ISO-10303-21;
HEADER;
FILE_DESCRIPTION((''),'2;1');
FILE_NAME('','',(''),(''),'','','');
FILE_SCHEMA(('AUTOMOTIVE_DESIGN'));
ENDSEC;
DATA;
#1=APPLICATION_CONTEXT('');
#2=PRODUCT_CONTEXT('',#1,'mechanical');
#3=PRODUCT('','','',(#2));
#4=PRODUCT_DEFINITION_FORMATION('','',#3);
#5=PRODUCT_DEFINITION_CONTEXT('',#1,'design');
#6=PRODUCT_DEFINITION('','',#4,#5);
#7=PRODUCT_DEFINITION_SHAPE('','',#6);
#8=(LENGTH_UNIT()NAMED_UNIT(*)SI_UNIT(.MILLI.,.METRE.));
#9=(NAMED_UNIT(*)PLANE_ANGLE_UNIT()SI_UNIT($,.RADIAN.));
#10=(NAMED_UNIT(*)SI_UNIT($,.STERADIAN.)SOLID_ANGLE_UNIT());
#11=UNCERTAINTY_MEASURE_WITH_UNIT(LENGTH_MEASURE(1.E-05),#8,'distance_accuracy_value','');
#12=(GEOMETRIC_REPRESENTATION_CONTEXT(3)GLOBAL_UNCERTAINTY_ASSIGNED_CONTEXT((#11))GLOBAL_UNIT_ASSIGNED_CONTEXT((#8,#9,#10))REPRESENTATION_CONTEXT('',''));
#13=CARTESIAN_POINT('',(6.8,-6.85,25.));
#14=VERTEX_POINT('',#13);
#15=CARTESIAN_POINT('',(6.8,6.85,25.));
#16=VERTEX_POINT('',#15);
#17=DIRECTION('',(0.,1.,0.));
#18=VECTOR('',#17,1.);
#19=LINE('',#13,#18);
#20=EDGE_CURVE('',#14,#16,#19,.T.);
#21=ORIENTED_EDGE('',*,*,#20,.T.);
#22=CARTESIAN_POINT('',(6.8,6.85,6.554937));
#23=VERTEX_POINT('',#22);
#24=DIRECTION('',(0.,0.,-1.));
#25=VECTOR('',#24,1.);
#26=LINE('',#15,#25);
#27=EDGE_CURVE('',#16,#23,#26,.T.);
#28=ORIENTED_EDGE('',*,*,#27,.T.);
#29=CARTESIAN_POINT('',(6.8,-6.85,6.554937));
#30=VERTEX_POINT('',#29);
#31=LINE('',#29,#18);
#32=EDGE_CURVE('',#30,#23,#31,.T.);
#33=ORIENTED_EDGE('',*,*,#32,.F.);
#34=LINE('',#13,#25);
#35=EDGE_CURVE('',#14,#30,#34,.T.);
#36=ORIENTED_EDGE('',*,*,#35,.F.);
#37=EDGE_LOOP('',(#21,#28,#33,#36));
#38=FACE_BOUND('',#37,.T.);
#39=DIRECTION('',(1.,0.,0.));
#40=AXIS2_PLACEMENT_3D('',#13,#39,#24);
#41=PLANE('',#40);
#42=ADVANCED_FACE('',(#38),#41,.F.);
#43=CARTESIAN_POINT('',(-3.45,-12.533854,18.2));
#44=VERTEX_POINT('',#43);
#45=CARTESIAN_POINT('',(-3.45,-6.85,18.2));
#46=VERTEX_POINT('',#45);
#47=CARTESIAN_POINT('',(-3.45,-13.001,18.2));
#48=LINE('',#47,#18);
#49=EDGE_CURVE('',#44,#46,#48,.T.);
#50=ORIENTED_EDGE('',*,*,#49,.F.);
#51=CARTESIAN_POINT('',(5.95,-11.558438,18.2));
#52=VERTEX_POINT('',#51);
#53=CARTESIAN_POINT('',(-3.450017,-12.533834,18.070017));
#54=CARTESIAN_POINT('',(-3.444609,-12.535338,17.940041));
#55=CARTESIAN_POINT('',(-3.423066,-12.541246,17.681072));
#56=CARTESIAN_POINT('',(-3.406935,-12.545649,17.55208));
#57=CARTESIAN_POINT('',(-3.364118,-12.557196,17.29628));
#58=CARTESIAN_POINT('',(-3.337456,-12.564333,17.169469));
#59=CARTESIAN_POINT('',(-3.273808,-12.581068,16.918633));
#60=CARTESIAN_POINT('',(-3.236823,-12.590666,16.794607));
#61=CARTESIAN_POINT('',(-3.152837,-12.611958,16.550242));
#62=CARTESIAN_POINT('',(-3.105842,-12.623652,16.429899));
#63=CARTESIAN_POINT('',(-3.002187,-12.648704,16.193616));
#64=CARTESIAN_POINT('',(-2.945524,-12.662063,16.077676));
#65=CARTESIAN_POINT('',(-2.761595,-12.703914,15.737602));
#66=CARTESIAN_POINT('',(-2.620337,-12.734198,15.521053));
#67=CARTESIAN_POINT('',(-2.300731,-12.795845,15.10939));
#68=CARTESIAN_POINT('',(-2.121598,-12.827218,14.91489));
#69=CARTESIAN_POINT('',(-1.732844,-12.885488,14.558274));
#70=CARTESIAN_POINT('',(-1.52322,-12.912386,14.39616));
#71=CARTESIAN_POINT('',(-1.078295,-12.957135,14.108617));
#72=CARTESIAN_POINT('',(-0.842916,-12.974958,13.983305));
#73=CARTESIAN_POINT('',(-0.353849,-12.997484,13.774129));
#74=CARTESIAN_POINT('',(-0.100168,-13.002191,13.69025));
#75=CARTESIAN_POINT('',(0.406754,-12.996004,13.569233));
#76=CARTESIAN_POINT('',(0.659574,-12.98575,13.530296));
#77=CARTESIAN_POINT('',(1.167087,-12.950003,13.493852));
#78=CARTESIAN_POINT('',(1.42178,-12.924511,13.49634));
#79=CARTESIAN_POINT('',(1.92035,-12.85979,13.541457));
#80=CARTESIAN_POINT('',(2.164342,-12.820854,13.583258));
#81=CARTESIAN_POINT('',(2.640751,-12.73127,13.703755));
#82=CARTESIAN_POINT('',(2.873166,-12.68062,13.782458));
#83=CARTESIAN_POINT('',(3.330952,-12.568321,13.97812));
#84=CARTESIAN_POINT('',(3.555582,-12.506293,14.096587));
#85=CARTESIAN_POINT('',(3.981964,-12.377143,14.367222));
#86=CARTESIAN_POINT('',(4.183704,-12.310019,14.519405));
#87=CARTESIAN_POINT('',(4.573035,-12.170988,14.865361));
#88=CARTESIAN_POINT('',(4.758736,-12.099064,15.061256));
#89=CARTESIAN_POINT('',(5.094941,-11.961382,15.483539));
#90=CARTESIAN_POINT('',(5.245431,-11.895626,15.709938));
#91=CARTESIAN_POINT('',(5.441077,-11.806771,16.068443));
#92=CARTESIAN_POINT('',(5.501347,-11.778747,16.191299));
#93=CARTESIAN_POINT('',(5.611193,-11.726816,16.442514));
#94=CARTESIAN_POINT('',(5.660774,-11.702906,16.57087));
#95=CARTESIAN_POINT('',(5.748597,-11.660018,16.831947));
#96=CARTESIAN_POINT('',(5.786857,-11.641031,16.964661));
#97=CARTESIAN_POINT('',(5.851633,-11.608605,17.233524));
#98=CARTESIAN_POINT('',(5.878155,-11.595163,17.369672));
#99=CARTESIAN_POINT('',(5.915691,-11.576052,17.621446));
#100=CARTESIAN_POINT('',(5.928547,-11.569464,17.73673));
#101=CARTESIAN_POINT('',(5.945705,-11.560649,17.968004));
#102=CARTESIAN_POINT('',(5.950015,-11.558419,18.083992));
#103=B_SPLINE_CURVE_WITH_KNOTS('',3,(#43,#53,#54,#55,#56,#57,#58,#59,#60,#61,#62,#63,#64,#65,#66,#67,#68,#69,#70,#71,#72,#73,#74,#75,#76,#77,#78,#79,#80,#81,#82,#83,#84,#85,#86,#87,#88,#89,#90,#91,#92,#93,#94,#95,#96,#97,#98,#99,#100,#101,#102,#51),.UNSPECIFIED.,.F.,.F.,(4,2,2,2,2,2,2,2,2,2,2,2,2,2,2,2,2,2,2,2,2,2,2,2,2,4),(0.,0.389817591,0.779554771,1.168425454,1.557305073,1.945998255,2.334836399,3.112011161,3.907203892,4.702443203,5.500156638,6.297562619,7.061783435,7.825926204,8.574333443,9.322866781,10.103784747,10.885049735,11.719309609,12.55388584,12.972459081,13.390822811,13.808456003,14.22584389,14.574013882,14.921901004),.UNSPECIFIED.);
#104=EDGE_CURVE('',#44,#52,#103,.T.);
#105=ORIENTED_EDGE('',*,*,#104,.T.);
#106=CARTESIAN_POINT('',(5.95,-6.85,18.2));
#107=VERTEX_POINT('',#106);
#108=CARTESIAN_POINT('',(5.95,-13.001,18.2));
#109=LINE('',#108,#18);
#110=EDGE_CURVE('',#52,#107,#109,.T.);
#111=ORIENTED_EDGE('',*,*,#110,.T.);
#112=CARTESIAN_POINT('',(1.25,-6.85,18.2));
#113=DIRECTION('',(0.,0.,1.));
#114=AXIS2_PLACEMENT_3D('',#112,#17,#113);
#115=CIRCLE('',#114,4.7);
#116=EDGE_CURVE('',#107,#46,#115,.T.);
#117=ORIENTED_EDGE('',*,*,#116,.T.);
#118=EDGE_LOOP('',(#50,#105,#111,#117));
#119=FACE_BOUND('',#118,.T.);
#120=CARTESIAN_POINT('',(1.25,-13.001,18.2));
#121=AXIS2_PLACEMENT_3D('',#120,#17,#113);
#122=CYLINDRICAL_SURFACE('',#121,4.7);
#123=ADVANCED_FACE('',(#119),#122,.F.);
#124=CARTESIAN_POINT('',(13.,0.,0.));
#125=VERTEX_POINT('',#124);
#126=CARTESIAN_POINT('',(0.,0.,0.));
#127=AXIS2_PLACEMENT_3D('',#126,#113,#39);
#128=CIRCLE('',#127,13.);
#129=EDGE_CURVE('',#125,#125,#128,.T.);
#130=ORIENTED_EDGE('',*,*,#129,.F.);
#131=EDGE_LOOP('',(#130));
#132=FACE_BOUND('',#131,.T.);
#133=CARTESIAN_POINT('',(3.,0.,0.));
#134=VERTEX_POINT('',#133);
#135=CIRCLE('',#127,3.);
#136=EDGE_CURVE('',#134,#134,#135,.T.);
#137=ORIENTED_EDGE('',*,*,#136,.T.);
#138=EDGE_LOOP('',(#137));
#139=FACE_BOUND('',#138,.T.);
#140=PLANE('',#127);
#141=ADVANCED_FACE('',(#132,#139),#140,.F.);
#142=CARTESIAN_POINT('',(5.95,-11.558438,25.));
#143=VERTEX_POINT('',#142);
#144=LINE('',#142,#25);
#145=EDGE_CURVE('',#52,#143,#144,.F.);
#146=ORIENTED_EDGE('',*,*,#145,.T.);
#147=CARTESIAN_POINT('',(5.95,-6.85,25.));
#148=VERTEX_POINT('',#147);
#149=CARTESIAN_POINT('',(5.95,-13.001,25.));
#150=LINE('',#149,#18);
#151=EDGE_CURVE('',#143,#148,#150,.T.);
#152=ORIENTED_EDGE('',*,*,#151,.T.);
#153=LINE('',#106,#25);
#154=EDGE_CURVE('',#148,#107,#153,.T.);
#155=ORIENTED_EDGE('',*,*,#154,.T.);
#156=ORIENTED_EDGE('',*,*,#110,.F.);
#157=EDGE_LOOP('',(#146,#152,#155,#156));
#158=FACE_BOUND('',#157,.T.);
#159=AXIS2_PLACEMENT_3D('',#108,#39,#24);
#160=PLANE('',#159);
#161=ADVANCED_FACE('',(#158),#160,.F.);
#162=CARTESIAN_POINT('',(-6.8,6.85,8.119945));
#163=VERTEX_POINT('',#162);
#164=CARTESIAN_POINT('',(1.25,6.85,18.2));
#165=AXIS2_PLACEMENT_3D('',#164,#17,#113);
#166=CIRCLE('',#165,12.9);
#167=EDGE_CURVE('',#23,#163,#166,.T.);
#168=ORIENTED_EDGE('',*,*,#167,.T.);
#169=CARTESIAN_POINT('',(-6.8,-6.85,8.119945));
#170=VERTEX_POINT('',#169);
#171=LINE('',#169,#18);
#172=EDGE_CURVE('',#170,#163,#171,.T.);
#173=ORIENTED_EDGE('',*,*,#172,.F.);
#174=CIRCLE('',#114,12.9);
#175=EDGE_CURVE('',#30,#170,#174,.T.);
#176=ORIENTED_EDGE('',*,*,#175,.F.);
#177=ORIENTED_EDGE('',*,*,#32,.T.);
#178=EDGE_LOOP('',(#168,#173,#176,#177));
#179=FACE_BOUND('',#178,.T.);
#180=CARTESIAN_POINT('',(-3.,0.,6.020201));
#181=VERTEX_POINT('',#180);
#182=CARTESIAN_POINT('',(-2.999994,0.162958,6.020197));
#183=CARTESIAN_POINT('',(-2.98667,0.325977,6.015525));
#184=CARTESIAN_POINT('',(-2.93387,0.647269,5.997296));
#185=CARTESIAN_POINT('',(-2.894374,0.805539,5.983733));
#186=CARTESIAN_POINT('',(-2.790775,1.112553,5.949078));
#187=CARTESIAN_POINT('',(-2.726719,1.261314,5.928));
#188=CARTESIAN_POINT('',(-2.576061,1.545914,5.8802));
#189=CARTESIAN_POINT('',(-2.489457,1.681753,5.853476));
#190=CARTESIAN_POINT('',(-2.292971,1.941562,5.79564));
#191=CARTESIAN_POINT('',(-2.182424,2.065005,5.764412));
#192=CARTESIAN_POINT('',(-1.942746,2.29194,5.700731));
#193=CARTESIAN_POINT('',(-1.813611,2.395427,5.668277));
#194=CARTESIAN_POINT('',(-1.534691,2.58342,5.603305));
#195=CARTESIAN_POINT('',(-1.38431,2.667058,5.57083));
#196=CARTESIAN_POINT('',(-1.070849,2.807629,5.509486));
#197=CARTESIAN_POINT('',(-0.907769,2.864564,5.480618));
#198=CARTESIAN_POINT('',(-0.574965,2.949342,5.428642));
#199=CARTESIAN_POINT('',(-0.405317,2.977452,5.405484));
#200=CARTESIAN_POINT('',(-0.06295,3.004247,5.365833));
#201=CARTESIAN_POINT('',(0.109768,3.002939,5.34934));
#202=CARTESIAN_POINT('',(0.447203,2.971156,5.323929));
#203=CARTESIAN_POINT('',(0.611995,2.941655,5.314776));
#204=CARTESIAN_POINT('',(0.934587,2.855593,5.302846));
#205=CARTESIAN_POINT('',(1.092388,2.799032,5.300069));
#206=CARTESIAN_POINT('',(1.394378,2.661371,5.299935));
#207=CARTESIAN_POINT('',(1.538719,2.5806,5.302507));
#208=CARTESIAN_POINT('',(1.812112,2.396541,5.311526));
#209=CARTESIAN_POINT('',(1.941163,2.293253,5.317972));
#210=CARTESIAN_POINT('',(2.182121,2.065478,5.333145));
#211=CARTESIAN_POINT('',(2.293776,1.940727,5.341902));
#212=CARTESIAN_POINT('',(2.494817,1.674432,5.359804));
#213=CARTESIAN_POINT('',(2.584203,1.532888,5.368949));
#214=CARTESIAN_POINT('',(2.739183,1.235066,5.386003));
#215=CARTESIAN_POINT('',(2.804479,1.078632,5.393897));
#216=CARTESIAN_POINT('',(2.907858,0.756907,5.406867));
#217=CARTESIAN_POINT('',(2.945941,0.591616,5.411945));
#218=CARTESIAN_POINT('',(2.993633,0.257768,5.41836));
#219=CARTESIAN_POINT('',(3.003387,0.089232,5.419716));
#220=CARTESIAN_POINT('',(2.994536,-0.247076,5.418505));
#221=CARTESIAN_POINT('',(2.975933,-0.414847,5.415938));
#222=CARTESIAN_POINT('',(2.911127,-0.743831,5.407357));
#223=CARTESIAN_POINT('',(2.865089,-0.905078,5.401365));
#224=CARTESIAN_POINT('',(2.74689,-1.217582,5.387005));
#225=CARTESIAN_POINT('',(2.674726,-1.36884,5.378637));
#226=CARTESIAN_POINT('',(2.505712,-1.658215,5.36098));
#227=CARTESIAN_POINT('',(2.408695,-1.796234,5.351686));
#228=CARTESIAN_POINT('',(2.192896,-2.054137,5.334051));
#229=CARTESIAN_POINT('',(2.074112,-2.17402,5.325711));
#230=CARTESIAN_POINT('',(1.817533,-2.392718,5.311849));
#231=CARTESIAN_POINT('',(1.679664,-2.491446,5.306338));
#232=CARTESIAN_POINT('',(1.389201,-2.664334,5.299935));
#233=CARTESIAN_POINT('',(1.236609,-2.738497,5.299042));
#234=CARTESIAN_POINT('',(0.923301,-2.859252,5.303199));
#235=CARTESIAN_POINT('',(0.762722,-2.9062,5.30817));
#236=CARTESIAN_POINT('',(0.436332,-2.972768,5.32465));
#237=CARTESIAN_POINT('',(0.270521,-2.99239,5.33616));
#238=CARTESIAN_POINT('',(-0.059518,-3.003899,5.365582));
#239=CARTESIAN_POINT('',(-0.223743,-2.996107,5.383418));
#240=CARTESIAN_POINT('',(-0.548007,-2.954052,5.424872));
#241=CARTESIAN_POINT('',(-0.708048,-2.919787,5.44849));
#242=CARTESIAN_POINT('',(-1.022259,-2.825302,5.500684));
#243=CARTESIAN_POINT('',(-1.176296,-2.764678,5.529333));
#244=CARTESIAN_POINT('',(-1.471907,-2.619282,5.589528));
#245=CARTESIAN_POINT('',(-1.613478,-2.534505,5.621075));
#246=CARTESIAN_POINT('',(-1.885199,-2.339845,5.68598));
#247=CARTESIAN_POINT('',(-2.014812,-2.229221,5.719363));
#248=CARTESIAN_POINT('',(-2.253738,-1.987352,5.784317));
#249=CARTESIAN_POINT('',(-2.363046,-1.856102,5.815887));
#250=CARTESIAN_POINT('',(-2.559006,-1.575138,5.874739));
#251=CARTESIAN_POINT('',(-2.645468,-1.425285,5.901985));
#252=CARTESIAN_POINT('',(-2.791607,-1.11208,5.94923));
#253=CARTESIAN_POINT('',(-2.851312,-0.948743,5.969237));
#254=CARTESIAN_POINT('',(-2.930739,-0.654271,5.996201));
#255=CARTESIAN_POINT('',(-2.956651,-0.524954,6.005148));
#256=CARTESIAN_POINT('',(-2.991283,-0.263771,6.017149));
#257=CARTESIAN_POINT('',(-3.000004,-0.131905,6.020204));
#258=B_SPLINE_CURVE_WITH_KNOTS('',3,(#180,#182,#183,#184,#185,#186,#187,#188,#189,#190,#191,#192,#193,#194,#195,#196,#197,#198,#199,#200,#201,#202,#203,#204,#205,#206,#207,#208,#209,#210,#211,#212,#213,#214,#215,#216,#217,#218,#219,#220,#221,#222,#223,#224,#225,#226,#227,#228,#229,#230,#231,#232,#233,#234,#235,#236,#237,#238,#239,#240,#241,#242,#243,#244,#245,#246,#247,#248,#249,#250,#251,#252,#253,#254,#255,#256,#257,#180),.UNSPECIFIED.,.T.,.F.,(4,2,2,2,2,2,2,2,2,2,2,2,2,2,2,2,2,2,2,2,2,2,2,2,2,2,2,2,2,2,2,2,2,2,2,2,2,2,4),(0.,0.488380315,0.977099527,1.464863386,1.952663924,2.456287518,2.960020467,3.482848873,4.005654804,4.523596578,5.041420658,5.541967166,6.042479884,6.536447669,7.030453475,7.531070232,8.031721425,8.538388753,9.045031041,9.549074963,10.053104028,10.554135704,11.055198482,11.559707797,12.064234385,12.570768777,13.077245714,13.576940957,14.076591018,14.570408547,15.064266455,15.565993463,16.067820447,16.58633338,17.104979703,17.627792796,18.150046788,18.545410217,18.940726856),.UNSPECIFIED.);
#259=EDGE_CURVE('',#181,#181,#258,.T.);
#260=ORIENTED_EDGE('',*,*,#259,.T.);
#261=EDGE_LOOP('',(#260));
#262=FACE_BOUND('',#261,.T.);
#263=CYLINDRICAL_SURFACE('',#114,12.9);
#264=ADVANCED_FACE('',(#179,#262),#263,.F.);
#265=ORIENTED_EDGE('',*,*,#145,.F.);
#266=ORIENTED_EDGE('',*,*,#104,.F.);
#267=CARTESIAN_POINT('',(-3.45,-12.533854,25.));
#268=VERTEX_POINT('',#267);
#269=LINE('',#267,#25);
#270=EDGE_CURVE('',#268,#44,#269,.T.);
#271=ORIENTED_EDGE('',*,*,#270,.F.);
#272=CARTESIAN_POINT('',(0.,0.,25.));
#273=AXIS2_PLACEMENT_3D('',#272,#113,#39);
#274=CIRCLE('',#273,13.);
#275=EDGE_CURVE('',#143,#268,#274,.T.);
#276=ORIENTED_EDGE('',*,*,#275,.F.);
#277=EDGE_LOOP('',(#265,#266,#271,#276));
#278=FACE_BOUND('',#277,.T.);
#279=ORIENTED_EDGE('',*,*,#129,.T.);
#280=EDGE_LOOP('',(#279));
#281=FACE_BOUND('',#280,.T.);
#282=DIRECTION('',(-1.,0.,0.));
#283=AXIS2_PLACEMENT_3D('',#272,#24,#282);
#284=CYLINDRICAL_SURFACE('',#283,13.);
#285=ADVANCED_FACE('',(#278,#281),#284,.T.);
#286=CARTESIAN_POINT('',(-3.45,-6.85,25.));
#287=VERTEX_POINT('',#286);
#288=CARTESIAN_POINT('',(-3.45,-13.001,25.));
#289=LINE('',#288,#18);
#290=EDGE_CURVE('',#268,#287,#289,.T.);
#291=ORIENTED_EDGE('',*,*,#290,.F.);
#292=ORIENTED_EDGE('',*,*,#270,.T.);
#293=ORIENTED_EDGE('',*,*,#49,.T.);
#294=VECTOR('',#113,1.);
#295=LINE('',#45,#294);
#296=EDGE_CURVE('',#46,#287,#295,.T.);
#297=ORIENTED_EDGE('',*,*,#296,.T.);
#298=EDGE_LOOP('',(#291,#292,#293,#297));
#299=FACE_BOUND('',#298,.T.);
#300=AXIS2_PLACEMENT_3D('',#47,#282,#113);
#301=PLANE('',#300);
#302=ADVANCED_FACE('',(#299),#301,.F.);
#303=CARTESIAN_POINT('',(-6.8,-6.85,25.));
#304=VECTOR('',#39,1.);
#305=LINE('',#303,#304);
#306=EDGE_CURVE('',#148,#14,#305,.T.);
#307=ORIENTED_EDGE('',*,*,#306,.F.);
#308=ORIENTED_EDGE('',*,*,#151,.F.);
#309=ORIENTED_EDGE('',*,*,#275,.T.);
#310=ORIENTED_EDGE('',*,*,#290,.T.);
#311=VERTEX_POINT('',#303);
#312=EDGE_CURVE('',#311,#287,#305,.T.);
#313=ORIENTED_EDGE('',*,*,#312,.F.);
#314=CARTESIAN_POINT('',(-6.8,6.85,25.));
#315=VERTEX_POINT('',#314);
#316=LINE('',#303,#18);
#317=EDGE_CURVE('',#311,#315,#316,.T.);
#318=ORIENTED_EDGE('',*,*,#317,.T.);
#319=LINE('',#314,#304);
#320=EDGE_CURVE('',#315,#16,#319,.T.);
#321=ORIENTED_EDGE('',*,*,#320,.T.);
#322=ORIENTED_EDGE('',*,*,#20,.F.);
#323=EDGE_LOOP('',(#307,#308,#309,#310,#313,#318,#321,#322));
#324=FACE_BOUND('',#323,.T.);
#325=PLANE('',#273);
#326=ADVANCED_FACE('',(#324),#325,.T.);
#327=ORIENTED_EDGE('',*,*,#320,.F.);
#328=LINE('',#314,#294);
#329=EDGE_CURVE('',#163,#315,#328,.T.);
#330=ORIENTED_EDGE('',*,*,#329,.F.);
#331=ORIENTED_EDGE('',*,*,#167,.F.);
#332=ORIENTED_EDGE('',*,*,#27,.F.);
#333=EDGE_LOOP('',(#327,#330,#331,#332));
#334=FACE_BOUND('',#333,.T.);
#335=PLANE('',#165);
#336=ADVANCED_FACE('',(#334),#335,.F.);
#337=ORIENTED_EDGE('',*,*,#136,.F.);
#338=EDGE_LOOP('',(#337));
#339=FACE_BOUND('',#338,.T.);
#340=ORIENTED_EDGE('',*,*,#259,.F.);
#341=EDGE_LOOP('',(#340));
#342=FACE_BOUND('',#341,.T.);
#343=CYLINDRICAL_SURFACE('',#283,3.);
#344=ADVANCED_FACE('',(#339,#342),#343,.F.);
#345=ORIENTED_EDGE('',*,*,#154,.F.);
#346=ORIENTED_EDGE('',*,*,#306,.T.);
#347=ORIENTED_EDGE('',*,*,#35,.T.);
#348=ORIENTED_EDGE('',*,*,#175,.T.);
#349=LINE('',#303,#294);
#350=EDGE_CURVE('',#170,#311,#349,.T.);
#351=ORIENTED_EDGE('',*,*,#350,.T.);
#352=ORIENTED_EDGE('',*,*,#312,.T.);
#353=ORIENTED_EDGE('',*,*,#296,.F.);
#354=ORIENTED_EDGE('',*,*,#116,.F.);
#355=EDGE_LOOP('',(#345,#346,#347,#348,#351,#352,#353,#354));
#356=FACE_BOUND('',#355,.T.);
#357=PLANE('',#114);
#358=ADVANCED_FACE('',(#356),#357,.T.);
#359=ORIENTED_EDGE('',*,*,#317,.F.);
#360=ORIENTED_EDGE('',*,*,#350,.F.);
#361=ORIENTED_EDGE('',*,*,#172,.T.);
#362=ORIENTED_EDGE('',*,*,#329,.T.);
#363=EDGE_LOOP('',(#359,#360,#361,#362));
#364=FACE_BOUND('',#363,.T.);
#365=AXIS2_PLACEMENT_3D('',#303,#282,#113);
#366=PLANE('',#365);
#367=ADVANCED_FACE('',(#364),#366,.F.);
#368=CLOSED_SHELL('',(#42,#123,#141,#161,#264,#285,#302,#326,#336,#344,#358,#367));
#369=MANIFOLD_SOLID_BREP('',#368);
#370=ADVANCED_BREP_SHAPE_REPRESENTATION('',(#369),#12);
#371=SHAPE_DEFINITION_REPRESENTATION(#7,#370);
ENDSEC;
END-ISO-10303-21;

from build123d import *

# Parameters (mm, degrees)
SKETCH1_R               = 13
SKETCH1_R_2             = 3
BOSS_EXTRUDE1_DEPTH     = 25
CUT_EXTRUDE1_DEPTH      = 6.85
CUT_EXTRUDE2_REACH      = 33.032
CUT_EXTRUDE2_END_RADIUS = 13


with BuildPart() as part:
    # Sketch1 → Boss-Extrude1 (new body)
    with BuildSketch(Plane.XY):
        Circle(SKETCH1_R)
        Circle(SKETCH1_R_2, mode=Mode.SUBTRACT)
    extrude(amount=BOSS_EXTRUDE1_DEPTH)

    # Sketch2 → Cut-Extrude1 (cut, symmetric)
    with BuildSketch(Plane(origin=(0, 0, 0), x_dir=(1, 0, 0), z_dir=(0, 1, 0))):
        with BuildLine():
            Line((-6.8, -25), (6.8, -25))
            Line((6.8, -25), (6.8, -6.554936668))
            ThreePointArc((6.8, -6.554936668), (-0.224724758, -5.38457231), (-6.8, -8.119945437))
            Line((-6.8, -8.119945437), (-6.8, -25))
        make_face()
    extrude(amount=CUT_EXTRUDE1_DEPTH, both=True, mode=Mode.SUBTRACT)

    # Cut-Extrude2: up to this cylinder (the profile starts inside it)
    cut_extrude2_end = Plane(origin=(0, 0, 19.701869), z_dir=(0, 0, -1)) * Cylinder(CUT_EXTRUDE2_END_RADIUS, 93.064, mode=Mode.PRIVATE)
    # Sketch3 → Cut-Extrude2 (cut, up to the surface)
    with BuildSketch(Plane(origin=(0, 0, 0), x_dir=(1, 0, 0), z_dir=(0, 1, 0)), mode=Mode.PRIVATE) as cut_extrude2_sk1:
        with BuildLine():
            Line((-3.45, -18.2), (-3.45, -25))
            Line((-3.45, -25), (5.95, -25))
            Line((5.95, -25), (5.95, -18.2))
            ThreePointArc((5.95, -18.2), (1.25, -13.5), (-3.45, -18.2))
        make_face()
    cut_extrude2_tool1 = extrude(cut_extrude2_sk1.sketch, amount=-CUT_EXTRUDE2_REACH, mode=Mode.PRIVATE) & cut_extrude2_end
    add(cut_extrude2_tool1.solids().sort_by_distance((1.25, 0, 19.701869))[0], mode=Mode.SUBTRACT)


solid = part.part
